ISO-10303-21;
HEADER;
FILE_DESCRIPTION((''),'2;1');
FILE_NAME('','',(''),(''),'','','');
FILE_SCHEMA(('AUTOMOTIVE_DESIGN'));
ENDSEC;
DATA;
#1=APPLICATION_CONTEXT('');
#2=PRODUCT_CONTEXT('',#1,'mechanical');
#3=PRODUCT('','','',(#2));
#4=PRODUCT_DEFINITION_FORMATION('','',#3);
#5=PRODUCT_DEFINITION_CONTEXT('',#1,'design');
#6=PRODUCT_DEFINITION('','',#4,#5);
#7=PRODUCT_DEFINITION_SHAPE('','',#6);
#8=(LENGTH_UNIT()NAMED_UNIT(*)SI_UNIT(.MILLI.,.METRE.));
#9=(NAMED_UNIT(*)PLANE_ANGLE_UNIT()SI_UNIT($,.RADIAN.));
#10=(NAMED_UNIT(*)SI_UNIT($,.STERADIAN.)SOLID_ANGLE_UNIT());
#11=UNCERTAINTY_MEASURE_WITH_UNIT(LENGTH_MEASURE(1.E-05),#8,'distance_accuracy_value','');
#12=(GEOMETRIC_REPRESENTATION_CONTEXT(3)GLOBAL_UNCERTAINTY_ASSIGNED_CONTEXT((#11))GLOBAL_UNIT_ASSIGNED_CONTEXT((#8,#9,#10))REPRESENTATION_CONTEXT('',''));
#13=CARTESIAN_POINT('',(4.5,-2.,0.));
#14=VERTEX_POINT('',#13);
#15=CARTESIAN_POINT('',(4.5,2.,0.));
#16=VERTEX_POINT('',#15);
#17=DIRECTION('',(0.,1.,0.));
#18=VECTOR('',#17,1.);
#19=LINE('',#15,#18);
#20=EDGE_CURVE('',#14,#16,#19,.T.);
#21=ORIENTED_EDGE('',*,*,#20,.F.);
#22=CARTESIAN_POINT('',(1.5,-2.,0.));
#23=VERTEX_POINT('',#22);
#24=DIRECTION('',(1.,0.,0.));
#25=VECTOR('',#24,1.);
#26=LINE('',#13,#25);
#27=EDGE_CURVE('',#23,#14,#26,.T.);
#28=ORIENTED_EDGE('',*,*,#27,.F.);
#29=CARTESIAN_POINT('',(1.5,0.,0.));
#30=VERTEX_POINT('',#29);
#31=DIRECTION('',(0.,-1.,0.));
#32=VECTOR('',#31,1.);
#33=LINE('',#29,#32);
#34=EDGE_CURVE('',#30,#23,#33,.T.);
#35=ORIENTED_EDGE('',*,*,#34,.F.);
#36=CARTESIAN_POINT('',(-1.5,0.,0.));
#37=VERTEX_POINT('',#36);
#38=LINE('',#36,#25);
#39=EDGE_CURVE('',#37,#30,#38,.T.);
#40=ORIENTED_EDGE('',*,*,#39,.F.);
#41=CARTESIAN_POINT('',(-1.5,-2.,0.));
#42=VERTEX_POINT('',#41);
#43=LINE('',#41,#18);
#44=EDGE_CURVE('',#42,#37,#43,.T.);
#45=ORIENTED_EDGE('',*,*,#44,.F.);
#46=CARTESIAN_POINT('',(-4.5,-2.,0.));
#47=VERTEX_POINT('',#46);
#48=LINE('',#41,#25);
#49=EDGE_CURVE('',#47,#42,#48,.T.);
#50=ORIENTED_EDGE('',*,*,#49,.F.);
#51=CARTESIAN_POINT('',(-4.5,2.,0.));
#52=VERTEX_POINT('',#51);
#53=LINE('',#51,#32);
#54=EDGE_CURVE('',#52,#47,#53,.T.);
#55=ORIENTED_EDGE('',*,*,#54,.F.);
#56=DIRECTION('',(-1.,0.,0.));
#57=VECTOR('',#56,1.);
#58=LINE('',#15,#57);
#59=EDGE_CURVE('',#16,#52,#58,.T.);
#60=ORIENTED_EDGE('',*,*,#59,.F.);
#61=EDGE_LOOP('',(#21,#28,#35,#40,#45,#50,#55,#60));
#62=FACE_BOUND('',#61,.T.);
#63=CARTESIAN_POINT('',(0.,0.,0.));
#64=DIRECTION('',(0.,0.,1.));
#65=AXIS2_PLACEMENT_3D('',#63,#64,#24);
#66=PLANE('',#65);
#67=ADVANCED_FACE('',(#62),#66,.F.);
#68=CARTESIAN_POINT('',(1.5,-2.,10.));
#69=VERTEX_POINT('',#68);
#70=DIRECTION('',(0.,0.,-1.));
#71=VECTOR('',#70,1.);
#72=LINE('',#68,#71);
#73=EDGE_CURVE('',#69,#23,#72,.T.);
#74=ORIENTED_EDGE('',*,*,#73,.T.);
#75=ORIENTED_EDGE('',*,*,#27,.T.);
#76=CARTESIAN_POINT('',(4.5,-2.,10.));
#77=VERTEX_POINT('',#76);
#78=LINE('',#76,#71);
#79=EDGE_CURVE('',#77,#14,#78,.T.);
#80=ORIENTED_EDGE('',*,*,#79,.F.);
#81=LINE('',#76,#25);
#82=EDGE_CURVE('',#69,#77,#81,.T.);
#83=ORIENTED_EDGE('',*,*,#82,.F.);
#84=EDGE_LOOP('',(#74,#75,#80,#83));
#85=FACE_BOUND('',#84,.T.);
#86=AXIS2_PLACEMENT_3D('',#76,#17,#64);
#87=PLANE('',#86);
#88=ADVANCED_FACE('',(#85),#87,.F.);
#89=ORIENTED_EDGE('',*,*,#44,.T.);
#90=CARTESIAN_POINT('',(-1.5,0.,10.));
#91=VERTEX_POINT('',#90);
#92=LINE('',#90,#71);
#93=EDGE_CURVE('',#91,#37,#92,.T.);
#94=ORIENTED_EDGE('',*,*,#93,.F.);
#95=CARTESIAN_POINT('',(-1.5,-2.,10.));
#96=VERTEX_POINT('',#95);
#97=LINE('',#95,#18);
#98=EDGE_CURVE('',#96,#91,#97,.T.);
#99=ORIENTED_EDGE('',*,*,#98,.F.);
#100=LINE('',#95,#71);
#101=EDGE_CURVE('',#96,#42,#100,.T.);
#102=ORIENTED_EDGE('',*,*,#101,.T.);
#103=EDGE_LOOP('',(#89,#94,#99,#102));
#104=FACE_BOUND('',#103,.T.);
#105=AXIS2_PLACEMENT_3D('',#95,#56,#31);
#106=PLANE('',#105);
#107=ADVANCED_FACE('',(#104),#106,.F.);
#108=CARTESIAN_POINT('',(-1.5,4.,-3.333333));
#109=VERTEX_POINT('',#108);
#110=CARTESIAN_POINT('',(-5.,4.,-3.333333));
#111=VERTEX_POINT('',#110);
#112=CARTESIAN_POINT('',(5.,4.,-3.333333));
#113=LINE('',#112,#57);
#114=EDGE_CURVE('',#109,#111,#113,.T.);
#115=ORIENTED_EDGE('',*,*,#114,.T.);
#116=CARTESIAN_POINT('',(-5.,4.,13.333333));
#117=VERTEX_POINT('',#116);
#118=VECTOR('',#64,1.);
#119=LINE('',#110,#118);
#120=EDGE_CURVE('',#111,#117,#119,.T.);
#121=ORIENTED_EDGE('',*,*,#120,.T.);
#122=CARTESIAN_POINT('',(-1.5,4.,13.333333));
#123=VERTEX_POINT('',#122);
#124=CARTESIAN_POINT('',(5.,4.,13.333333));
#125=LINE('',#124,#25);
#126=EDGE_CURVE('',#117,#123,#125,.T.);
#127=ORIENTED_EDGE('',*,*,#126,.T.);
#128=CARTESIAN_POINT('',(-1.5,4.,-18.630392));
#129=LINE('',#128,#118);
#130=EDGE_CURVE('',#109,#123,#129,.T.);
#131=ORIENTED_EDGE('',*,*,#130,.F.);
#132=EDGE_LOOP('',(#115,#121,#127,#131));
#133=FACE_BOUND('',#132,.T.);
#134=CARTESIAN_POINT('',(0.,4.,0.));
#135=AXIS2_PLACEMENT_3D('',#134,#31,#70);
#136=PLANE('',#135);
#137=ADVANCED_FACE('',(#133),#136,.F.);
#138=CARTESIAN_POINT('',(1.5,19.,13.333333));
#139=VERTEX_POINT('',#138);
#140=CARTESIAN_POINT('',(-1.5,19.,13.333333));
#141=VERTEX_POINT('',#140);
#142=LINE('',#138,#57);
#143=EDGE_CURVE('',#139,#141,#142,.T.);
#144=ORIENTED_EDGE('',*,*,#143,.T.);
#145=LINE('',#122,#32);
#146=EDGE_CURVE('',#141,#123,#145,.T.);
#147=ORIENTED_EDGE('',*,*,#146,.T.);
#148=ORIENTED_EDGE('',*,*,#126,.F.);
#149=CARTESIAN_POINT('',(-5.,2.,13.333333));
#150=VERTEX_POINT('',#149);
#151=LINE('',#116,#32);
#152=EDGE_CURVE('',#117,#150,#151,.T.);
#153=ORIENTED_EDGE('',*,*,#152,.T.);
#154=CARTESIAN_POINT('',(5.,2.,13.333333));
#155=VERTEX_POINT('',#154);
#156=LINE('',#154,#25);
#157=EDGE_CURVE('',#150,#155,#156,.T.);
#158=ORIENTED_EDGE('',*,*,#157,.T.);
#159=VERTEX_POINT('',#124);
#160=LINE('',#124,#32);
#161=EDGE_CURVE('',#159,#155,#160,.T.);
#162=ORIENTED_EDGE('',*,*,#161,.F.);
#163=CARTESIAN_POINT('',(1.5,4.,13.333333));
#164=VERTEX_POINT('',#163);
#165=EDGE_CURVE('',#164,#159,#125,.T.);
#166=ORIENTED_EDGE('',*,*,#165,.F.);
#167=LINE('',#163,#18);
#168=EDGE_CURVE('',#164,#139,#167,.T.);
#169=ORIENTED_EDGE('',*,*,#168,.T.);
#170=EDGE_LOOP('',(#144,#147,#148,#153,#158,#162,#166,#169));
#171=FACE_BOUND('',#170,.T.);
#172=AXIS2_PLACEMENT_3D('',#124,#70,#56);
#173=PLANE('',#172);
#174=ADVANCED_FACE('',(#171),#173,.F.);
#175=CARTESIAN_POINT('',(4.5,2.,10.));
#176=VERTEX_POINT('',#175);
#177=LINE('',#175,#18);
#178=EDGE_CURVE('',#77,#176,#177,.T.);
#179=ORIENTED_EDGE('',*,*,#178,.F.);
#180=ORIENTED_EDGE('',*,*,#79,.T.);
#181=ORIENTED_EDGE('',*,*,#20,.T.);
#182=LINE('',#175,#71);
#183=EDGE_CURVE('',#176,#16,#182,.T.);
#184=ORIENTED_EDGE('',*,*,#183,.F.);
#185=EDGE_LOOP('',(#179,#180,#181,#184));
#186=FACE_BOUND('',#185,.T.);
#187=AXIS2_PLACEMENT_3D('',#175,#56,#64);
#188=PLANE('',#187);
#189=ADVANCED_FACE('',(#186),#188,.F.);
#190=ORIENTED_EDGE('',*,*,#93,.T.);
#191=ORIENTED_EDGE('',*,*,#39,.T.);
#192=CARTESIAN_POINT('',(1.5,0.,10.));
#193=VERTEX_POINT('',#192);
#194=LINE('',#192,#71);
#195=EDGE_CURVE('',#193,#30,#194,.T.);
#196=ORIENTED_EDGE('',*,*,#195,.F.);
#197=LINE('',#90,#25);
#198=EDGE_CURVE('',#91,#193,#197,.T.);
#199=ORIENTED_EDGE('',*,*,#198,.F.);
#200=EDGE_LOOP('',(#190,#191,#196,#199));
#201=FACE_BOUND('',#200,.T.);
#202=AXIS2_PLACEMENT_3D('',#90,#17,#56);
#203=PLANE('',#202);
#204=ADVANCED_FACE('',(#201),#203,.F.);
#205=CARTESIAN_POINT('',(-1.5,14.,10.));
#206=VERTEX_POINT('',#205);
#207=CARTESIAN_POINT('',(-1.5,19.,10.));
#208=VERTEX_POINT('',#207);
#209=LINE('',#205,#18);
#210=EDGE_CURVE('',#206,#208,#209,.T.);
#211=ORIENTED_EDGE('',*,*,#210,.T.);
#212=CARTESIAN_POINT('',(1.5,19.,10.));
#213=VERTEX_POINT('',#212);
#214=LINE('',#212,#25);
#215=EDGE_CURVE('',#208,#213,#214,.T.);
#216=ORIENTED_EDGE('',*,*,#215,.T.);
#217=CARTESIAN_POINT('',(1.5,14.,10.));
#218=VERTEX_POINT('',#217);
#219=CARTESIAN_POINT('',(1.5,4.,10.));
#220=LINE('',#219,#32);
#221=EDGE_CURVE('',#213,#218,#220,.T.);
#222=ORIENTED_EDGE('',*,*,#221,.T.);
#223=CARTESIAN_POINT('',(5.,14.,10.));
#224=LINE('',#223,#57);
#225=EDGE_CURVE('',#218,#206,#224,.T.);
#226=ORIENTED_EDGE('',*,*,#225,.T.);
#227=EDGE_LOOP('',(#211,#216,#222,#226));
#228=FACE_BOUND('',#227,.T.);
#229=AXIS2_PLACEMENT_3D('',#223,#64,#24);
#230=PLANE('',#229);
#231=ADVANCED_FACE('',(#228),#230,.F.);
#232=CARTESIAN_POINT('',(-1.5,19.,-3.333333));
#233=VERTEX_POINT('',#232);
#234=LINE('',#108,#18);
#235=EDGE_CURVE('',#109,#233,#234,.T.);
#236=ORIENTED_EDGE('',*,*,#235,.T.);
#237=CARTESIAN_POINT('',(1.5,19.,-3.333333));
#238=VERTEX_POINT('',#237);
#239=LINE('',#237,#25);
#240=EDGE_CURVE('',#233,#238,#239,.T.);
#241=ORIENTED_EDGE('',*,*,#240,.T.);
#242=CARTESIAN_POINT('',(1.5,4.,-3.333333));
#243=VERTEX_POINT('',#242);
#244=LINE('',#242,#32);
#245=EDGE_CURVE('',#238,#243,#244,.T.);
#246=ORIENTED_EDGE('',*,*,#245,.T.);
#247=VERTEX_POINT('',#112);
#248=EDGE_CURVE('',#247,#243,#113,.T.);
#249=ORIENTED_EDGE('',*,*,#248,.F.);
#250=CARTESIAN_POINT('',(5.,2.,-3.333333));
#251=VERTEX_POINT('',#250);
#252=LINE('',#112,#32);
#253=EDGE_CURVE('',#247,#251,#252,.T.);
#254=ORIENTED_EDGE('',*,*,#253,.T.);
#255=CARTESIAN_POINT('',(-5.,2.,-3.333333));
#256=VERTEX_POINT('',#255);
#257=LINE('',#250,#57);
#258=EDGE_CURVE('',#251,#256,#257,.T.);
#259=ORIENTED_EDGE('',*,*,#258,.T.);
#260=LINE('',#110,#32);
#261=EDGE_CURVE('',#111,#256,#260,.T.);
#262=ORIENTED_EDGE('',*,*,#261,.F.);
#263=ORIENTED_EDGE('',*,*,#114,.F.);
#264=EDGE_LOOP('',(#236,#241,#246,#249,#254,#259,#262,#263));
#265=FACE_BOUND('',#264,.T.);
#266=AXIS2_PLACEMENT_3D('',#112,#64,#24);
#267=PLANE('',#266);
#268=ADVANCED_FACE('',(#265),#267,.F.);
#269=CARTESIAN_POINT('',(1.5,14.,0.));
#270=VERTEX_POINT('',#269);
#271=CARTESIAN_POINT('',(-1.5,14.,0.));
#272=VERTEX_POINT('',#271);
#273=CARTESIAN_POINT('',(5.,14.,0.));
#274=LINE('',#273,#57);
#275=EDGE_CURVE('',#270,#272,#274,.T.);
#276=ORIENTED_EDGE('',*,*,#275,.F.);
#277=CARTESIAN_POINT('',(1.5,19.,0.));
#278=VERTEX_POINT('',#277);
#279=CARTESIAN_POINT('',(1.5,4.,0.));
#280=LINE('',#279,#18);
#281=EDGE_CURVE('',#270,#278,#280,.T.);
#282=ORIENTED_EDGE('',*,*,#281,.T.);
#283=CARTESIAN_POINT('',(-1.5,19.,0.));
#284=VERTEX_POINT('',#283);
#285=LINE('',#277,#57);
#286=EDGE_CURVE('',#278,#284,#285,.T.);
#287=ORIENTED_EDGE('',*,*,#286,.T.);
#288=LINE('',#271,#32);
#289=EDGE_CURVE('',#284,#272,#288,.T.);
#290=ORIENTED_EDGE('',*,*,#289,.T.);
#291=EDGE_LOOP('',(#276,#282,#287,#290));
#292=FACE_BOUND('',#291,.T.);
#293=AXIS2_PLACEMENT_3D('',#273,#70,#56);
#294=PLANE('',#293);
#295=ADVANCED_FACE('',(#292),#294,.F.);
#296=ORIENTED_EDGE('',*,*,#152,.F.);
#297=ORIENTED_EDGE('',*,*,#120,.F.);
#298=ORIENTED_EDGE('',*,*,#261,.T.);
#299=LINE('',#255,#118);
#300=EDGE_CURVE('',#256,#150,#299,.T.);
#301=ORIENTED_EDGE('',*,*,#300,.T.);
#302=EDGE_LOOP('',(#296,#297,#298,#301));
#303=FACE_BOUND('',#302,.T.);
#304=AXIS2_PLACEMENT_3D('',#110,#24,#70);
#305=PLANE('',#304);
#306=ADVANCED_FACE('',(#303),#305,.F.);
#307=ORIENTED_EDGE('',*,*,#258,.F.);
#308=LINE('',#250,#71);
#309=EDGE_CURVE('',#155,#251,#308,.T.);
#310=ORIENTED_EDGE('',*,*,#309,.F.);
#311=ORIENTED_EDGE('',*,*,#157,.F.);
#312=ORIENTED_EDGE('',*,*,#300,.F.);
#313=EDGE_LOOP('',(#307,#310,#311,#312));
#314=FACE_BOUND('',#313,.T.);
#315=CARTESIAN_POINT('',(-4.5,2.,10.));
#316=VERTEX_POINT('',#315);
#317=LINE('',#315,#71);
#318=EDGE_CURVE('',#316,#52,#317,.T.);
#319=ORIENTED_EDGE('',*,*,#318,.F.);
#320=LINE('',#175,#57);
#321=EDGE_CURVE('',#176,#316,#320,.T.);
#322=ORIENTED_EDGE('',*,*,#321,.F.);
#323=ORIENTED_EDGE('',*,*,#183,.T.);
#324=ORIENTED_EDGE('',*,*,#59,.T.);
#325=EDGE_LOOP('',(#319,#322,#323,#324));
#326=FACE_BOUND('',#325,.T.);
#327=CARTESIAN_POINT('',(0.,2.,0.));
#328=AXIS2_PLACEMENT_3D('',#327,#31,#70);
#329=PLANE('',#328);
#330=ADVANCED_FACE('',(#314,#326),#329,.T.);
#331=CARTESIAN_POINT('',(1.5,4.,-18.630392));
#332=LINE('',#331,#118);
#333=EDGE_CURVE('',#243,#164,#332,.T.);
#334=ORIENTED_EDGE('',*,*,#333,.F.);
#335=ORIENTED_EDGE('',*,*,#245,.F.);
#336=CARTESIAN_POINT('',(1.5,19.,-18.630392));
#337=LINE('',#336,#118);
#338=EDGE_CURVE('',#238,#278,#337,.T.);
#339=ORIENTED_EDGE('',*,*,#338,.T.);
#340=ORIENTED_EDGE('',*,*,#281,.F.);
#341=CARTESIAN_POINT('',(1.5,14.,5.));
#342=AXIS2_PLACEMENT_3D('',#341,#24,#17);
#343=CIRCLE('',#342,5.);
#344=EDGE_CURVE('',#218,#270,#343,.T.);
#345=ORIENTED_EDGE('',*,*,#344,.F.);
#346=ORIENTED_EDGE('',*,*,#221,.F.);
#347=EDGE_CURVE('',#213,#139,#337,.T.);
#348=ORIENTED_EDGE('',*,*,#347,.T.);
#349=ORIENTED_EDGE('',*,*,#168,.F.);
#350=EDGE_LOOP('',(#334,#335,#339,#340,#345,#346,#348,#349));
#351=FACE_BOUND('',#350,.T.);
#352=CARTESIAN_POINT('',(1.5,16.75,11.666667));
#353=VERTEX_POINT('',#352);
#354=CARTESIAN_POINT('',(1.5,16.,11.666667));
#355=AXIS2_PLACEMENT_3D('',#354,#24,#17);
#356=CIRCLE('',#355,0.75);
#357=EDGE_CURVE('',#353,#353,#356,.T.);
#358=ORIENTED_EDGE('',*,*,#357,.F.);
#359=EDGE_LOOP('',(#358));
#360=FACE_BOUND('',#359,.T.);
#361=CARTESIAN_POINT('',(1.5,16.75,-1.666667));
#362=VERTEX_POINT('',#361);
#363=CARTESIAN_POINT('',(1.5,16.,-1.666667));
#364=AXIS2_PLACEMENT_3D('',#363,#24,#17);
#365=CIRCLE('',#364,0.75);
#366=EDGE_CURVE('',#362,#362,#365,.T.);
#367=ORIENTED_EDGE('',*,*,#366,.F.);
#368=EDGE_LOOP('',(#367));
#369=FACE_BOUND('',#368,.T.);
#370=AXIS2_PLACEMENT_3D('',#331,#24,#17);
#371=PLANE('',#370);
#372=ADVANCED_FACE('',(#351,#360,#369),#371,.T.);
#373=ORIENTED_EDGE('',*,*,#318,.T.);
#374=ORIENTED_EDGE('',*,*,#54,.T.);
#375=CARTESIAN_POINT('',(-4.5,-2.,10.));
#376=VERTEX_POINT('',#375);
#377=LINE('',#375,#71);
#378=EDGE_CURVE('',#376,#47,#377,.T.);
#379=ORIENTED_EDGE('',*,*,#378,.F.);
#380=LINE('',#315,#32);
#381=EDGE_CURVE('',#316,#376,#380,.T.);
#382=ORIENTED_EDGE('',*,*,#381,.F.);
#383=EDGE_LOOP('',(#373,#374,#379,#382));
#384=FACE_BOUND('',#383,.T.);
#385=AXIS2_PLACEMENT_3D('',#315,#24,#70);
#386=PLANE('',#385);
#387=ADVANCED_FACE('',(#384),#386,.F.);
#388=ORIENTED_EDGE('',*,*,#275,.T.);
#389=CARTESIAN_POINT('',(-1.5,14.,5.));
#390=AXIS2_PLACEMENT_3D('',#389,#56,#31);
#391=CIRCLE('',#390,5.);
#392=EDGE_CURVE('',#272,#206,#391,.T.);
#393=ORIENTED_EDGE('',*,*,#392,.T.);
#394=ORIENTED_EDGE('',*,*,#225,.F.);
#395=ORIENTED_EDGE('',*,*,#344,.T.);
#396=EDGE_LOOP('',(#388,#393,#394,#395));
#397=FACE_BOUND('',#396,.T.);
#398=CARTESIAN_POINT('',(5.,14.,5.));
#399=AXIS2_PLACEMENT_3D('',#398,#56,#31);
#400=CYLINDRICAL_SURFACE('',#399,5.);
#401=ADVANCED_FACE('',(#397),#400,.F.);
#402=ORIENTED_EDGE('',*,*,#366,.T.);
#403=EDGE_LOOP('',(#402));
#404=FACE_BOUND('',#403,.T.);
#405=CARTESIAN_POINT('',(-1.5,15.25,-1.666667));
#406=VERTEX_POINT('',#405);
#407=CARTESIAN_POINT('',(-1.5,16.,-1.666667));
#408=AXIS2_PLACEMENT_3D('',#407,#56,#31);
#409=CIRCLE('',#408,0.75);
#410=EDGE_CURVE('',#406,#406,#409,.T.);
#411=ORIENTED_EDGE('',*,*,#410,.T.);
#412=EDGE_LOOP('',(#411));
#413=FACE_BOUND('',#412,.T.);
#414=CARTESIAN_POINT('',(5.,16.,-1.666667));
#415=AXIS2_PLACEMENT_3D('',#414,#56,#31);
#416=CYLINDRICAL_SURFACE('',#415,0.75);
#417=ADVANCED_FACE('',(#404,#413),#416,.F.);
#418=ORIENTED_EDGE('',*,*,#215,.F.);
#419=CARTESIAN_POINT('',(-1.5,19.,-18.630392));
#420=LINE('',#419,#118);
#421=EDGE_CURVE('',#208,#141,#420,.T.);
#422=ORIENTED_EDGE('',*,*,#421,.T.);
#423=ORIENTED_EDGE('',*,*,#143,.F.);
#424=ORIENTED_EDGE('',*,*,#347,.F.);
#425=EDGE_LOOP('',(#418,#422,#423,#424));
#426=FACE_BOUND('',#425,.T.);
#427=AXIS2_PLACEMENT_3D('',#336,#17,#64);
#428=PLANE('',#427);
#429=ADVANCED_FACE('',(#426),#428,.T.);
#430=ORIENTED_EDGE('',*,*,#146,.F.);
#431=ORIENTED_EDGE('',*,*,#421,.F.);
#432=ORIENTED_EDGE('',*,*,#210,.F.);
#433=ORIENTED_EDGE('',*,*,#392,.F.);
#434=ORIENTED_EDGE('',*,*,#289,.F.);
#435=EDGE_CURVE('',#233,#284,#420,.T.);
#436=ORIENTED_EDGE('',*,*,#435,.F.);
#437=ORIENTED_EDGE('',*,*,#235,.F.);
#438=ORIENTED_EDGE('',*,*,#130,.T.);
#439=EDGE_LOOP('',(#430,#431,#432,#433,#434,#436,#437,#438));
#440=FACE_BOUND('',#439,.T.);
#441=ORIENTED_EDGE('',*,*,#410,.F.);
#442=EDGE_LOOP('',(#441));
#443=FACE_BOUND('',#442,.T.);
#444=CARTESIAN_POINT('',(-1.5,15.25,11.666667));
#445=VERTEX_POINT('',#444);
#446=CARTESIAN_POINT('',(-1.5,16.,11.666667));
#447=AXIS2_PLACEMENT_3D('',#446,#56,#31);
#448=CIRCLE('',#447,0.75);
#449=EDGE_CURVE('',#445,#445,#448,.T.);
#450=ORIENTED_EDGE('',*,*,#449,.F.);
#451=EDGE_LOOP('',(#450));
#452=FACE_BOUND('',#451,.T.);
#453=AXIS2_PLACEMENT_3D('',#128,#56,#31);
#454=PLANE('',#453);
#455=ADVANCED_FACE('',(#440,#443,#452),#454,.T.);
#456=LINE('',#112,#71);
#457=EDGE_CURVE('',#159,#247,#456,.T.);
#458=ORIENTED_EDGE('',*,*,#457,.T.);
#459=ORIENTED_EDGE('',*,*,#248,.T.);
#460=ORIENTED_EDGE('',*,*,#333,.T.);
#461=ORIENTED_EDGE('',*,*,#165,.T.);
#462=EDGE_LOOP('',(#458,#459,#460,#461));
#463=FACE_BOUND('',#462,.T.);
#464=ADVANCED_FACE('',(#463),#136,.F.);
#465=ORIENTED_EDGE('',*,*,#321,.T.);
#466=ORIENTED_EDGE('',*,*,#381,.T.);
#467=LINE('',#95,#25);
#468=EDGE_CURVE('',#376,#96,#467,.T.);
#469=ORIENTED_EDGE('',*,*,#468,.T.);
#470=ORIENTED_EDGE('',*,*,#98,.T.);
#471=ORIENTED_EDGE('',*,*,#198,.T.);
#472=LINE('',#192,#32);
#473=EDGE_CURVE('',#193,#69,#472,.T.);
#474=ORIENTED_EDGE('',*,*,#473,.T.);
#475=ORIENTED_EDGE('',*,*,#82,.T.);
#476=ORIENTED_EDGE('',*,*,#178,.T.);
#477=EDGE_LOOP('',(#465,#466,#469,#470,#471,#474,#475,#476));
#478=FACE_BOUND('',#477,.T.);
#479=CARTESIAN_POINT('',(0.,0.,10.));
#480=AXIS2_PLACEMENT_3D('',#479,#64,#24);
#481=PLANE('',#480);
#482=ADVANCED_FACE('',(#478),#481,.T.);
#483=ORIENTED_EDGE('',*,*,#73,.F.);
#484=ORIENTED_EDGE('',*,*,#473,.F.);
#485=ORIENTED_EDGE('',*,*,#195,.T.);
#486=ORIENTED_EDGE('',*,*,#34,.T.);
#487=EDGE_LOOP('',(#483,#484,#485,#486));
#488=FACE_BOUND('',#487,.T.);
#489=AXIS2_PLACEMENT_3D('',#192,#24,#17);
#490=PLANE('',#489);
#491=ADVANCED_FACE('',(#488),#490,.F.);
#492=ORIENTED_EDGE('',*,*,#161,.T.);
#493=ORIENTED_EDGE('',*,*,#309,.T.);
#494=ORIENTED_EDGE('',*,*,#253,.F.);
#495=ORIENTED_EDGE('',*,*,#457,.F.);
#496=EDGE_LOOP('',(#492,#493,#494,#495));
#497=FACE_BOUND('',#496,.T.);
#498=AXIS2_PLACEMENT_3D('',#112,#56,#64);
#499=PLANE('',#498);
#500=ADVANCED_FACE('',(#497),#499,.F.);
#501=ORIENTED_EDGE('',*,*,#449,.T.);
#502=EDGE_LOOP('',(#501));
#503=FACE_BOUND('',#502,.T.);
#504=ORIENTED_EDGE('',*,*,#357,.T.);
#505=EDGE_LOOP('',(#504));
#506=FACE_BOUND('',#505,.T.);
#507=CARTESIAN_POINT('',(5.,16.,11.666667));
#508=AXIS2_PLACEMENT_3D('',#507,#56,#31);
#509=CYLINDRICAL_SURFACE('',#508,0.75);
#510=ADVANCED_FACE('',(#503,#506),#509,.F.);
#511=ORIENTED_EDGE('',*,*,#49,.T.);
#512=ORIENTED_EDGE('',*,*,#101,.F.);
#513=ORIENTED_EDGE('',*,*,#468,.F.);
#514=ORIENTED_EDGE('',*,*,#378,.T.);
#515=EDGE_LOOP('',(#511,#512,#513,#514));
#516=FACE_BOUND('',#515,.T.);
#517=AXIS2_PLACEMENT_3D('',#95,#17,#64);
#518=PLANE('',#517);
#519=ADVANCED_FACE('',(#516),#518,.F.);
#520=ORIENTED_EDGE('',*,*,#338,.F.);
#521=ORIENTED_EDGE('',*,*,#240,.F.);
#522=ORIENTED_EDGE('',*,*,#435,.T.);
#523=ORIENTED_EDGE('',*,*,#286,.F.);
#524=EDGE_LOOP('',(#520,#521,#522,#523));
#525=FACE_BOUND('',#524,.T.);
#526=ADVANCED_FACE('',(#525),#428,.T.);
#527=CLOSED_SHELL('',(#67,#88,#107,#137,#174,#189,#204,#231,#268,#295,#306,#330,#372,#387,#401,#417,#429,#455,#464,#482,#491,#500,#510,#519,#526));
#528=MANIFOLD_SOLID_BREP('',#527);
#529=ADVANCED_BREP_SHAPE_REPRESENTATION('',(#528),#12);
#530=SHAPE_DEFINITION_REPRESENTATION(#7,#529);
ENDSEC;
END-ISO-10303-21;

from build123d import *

# Parameters (mm, degrees)
BOSS_EXTRUDE1_DEPTH = 10
SKETCH2_W           = 10
SKETCH2_H           = 16.666666666
BOSS_EXTRUDE2_DEPTH = 2
SKETCH3_W           = 3
SKETCH3_H           = 15
BOSS_EXTRUDE3_DEPTH = 16.666666667
CUT_EXTRUDE1_DEPTH  = 25.104517788
SKETCH5_R           = 0.75
CUT_EXTRUDE2_DEPTH  = 25.104517788


with BuildPart() as part:
    # Sketch1 → Boss-Extrude1 (new body)
    with BuildSketch(Plane.XY):
        Polygon((-1.5, -2), (-1.5, 0), (1.5, 0), (1.5, -2), (4.5, -2), (4.5, 2), (-4.5, 2), (-4.5, -2), align=None)
    extrude(amount=BOSS_EXTRUDE1_DEPTH)

    # Sketch2 → Boss-Extrude2 (add)
    with BuildSketch(Plane(origin=(0, 2, 0), x_dir=(1, 0, 0), z_dir=(0, 1, 0))):
        with Locations((0, -5)):
            Rectangle(SKETCH2_W, SKETCH2_H)
    extrude(amount=BOSS_EXTRUDE2_DEPTH)

    # Sketch3 → Boss-Extrude3 (add)
    with BuildSketch(Plane.XY.offset(13.333333333)):
        with Locations((0, 11.5)):
            Rectangle(SKETCH3_W, SKETCH3_H)
    extrude(amount=-BOSS_EXTRUDE3_DEPTH)

    # Sketch4 → Cut-Extrude1 (cut, through all)
    with BuildSketch(Plane.ZY.offset(1.5)):
        with BuildLine():
            Line((0, 14), (0, 19))
            Line((0, 19), (10, 19))
            Line((10, 19), (10, 14))
            ThreePointArc((10, 14), (5, 9), (0, 14))
        make_face()
    extrude(amount=-CUT_EXTRUDE1_DEPTH, mode=Mode.SUBTRACT)

    # Sketch5 → Cut-Extrude2 (cut, through all)
    with BuildSketch(Plane.ZY.offset(1.5)):
        with Locations(Location((11.666666667, 16, 0), (0, 0, 270))):
            Circle(SKETCH5_R)
        with Locations(Location((-1.666666667, 16, 0), (0, 0, 270))):
            Circle(SKETCH5_R)
    extrude(amount=-CUT_EXTRUDE2_DEPTH, mode=Mode.SUBTRACT)


solid = part.part
